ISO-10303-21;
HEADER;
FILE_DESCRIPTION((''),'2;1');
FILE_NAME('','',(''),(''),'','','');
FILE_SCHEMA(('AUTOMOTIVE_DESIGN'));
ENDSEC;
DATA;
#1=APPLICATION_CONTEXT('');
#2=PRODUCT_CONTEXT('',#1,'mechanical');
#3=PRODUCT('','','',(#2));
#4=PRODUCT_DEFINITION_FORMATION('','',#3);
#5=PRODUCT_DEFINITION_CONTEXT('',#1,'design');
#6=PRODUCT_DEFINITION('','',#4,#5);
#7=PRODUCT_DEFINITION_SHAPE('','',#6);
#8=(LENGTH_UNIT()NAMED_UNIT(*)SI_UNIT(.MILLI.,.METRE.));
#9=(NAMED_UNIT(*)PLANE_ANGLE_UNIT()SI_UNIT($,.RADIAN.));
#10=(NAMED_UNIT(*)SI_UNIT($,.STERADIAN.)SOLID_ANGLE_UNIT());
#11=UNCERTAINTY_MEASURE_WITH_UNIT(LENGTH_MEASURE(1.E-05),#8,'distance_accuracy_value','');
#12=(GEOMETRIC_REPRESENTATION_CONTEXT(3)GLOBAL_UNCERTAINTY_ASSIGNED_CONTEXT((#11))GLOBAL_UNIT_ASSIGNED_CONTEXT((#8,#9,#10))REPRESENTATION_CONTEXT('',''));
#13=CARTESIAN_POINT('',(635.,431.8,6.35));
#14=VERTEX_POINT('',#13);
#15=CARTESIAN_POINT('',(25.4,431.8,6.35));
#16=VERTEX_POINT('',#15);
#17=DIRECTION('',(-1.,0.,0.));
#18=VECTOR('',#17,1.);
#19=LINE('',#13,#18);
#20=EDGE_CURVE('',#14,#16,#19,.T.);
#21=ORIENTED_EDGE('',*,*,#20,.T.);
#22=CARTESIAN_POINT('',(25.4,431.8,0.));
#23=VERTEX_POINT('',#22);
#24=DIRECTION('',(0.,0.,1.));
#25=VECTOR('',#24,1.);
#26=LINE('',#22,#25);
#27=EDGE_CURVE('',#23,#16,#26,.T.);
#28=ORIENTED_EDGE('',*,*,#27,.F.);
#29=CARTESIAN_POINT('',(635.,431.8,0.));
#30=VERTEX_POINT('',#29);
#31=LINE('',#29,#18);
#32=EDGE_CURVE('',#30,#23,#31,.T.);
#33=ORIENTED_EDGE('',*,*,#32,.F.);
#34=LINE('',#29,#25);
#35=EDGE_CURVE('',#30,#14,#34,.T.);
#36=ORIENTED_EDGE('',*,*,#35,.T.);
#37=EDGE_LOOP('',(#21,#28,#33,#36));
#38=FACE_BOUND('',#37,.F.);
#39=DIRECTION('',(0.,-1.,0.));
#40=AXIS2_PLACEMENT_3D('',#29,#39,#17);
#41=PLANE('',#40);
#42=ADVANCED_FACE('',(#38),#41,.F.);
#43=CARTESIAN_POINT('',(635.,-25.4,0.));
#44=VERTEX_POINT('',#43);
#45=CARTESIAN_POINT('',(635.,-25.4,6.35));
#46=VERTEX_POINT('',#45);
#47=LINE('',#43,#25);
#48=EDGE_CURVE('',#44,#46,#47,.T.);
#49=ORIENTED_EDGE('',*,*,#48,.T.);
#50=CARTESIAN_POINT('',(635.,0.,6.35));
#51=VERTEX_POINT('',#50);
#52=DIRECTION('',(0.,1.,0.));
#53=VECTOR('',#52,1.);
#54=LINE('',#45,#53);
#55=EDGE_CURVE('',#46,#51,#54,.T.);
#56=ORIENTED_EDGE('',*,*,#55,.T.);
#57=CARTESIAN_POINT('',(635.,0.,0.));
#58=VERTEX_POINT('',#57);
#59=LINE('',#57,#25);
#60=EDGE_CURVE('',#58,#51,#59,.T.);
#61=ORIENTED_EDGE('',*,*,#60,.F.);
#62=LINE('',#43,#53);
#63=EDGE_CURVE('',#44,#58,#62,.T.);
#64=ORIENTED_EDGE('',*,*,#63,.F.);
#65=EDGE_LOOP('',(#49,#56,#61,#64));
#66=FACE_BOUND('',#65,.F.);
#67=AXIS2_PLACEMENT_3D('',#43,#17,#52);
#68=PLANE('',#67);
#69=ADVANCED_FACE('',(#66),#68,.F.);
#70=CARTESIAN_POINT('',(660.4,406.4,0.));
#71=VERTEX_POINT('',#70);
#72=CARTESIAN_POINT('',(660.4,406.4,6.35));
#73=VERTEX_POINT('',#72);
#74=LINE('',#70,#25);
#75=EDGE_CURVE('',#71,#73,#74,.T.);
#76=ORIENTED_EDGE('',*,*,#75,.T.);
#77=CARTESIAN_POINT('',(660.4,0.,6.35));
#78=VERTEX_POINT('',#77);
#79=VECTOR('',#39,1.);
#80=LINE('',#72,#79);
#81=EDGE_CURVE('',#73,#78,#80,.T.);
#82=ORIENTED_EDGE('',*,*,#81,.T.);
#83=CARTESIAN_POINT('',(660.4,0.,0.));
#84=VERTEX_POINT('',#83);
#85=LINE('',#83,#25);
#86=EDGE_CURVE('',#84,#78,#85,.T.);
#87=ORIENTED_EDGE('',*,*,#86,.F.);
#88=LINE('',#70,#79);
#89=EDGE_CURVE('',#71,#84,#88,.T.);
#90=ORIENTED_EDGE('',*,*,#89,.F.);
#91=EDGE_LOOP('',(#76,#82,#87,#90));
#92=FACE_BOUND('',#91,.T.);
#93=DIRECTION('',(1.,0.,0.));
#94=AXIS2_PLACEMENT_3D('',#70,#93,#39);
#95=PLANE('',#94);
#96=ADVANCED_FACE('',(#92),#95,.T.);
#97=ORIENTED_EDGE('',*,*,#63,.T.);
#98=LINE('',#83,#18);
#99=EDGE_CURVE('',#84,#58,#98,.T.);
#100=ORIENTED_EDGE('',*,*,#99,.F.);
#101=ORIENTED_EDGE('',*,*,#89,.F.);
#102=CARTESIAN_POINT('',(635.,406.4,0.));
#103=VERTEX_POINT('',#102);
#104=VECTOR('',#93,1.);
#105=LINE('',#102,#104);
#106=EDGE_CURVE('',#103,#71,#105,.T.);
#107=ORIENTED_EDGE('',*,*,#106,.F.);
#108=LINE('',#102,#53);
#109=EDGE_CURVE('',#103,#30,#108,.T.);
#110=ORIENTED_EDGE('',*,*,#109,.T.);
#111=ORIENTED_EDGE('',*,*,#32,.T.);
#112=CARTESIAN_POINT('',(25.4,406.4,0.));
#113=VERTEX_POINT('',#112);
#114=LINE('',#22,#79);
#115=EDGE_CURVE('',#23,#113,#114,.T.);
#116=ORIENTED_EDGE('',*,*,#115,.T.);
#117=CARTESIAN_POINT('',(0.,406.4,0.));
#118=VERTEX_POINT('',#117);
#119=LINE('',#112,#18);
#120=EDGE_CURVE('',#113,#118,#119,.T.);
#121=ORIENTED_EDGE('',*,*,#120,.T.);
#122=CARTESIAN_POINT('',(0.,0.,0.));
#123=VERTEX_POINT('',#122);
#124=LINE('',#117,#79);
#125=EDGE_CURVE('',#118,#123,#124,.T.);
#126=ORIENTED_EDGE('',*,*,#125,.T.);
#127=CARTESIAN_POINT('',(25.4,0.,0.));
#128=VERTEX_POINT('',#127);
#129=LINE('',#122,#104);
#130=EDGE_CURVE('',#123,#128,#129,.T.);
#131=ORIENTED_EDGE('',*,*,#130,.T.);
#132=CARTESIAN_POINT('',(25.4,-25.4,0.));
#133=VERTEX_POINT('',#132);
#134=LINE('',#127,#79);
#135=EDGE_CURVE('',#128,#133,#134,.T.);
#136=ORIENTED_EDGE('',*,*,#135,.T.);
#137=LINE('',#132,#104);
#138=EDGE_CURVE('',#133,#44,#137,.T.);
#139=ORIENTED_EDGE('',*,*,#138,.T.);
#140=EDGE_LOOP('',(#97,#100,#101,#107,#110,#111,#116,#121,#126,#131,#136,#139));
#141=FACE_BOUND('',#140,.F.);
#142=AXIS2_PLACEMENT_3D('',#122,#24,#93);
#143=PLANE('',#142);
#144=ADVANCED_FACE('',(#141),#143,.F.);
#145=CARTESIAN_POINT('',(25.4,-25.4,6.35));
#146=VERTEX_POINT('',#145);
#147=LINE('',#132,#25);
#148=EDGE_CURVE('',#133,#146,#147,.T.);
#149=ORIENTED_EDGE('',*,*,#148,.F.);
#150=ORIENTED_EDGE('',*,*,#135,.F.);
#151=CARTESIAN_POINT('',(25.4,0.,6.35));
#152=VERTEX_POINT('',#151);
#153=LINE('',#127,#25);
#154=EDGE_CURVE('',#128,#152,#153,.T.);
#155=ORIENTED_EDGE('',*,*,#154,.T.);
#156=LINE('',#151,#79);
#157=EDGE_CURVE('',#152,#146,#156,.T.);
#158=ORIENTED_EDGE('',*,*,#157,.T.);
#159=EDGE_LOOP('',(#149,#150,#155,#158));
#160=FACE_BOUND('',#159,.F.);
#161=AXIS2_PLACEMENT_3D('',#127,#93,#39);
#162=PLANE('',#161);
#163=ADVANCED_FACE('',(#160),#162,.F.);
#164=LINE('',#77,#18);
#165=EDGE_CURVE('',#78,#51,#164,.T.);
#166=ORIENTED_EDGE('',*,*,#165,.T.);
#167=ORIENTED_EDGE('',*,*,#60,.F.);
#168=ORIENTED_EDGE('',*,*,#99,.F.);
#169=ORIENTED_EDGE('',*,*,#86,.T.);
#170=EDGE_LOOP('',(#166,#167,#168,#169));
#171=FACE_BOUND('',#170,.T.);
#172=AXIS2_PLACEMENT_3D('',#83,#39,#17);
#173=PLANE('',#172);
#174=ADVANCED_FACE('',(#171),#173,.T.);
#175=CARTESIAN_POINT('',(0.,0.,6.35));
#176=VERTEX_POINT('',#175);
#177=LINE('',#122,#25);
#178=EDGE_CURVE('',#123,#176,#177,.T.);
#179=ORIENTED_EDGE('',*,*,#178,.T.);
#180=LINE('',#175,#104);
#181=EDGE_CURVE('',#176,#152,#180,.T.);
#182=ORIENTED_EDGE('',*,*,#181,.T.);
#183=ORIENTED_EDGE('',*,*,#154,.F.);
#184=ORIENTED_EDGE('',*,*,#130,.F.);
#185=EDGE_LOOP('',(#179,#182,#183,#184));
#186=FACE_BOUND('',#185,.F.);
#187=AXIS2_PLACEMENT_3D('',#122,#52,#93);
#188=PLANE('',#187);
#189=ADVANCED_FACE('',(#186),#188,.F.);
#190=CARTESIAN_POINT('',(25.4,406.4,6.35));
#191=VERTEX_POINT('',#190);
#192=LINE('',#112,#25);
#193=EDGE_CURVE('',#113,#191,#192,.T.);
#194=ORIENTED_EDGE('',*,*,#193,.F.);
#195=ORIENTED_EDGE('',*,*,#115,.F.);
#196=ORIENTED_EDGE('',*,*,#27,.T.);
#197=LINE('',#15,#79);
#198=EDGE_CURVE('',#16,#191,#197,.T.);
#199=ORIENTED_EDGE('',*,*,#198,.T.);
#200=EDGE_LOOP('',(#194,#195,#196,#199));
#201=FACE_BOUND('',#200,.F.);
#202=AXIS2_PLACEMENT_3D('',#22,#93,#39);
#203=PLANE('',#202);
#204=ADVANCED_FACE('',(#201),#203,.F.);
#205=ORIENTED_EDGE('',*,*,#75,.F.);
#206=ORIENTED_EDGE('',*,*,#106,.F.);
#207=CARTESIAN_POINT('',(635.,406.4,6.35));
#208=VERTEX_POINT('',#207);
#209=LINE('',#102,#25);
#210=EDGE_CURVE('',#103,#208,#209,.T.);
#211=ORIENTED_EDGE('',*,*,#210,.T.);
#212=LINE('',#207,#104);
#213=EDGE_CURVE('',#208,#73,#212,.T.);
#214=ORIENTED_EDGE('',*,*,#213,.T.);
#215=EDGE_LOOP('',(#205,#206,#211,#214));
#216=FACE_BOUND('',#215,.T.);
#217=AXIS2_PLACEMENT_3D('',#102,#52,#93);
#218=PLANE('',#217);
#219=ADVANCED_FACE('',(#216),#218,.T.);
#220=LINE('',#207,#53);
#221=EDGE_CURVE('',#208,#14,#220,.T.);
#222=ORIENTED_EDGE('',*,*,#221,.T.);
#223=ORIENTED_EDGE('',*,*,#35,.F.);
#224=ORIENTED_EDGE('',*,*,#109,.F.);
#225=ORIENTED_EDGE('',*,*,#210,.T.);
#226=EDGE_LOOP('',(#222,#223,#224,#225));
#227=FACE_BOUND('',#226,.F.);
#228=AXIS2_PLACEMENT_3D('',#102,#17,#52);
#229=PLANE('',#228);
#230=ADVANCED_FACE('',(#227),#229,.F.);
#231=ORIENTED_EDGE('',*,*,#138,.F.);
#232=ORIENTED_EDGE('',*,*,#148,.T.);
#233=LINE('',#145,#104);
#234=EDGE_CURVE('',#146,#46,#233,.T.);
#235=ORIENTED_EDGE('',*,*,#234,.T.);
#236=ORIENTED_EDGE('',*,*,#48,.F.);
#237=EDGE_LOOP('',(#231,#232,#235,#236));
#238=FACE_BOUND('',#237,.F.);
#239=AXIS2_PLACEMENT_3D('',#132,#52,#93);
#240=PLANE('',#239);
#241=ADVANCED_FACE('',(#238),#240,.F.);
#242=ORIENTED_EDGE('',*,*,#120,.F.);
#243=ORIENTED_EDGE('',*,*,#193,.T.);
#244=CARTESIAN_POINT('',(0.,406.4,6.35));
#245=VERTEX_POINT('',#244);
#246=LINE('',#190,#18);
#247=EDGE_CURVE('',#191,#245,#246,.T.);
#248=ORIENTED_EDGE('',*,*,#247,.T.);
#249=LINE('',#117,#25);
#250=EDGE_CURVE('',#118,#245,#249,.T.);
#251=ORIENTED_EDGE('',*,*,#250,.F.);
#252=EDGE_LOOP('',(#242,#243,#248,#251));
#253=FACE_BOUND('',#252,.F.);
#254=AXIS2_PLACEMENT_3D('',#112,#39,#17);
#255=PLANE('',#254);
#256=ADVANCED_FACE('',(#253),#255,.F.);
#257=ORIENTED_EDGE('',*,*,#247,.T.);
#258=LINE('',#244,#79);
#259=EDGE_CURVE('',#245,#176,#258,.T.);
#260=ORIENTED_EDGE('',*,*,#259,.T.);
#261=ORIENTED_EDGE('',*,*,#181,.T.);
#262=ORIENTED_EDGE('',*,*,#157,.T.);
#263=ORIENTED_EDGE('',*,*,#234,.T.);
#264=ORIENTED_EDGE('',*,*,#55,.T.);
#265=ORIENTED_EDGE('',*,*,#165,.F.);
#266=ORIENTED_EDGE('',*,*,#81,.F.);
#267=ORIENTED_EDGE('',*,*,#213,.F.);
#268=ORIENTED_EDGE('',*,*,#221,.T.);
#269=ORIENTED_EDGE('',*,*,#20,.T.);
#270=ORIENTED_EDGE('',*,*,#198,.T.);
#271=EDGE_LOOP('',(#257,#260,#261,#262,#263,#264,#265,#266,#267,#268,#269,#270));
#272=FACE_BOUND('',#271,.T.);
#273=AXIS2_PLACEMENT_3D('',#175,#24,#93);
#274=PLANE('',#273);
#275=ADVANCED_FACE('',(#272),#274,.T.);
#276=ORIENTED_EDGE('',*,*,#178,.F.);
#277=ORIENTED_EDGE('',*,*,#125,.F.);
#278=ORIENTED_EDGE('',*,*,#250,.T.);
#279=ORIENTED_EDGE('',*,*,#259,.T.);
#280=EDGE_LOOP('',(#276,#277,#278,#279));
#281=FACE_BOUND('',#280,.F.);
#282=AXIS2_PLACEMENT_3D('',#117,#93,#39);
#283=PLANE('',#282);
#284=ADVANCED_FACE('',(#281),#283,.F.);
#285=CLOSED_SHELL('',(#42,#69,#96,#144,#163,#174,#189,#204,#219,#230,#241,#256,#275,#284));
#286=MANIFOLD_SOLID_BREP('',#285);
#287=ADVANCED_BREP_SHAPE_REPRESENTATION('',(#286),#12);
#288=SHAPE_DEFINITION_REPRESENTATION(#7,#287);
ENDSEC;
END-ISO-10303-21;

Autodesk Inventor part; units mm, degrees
ref_plane "YZ Plane" through (0, 0, 0) normal (1, 0, 0) x (0, 1, 0)
ref_plane "XZ Plane" through (0, 0, 0) normal (0, 1, 0) x (-1, 0, 0)
ref_plane "XY Plane" through (0, 0, 0) normal (0, 0, 1) x (1, 0, 0)
sketch "Sketch1" plane through (0, 0, 0) normal (0, 0, 1) x (1, 0, 0)
  line L0 (0, 0) -> (25.4, 0)
  line L1 (25.4, 406.4) -> (0, 406.4)
  line L2 (0, 406.4) -> (0, 0)
  line L3 (635, 406.4) -> (635, 431.8)
  line L4 (635, 431.8) -> (25.4, 431.8)
  line L5 (25.4, 431.8) -> (25.4, 406.4)
  line L6 (635, 406.4) -> (660.4, 406.4)
  line L7 (660.4, 406.4) -> (660.4, 0)
  line L8 (660.4, 0) -> (635, 0)
  line L9 (25.4, 0) -> (25.4, -25.4)
  line L10 (25.4, -25.4) -> (635, -25.4)
  line L11 (635, -25.4) -> (635, 0)
  dimension "d0" = 406.4
  dimension "d1" = 25.4
  dimension "d2" = 609.6
extrude "Extrusion1" add sketch "Sketch1" along normal blind 6.35
properties part number "arm_enclosure_top_panel"
